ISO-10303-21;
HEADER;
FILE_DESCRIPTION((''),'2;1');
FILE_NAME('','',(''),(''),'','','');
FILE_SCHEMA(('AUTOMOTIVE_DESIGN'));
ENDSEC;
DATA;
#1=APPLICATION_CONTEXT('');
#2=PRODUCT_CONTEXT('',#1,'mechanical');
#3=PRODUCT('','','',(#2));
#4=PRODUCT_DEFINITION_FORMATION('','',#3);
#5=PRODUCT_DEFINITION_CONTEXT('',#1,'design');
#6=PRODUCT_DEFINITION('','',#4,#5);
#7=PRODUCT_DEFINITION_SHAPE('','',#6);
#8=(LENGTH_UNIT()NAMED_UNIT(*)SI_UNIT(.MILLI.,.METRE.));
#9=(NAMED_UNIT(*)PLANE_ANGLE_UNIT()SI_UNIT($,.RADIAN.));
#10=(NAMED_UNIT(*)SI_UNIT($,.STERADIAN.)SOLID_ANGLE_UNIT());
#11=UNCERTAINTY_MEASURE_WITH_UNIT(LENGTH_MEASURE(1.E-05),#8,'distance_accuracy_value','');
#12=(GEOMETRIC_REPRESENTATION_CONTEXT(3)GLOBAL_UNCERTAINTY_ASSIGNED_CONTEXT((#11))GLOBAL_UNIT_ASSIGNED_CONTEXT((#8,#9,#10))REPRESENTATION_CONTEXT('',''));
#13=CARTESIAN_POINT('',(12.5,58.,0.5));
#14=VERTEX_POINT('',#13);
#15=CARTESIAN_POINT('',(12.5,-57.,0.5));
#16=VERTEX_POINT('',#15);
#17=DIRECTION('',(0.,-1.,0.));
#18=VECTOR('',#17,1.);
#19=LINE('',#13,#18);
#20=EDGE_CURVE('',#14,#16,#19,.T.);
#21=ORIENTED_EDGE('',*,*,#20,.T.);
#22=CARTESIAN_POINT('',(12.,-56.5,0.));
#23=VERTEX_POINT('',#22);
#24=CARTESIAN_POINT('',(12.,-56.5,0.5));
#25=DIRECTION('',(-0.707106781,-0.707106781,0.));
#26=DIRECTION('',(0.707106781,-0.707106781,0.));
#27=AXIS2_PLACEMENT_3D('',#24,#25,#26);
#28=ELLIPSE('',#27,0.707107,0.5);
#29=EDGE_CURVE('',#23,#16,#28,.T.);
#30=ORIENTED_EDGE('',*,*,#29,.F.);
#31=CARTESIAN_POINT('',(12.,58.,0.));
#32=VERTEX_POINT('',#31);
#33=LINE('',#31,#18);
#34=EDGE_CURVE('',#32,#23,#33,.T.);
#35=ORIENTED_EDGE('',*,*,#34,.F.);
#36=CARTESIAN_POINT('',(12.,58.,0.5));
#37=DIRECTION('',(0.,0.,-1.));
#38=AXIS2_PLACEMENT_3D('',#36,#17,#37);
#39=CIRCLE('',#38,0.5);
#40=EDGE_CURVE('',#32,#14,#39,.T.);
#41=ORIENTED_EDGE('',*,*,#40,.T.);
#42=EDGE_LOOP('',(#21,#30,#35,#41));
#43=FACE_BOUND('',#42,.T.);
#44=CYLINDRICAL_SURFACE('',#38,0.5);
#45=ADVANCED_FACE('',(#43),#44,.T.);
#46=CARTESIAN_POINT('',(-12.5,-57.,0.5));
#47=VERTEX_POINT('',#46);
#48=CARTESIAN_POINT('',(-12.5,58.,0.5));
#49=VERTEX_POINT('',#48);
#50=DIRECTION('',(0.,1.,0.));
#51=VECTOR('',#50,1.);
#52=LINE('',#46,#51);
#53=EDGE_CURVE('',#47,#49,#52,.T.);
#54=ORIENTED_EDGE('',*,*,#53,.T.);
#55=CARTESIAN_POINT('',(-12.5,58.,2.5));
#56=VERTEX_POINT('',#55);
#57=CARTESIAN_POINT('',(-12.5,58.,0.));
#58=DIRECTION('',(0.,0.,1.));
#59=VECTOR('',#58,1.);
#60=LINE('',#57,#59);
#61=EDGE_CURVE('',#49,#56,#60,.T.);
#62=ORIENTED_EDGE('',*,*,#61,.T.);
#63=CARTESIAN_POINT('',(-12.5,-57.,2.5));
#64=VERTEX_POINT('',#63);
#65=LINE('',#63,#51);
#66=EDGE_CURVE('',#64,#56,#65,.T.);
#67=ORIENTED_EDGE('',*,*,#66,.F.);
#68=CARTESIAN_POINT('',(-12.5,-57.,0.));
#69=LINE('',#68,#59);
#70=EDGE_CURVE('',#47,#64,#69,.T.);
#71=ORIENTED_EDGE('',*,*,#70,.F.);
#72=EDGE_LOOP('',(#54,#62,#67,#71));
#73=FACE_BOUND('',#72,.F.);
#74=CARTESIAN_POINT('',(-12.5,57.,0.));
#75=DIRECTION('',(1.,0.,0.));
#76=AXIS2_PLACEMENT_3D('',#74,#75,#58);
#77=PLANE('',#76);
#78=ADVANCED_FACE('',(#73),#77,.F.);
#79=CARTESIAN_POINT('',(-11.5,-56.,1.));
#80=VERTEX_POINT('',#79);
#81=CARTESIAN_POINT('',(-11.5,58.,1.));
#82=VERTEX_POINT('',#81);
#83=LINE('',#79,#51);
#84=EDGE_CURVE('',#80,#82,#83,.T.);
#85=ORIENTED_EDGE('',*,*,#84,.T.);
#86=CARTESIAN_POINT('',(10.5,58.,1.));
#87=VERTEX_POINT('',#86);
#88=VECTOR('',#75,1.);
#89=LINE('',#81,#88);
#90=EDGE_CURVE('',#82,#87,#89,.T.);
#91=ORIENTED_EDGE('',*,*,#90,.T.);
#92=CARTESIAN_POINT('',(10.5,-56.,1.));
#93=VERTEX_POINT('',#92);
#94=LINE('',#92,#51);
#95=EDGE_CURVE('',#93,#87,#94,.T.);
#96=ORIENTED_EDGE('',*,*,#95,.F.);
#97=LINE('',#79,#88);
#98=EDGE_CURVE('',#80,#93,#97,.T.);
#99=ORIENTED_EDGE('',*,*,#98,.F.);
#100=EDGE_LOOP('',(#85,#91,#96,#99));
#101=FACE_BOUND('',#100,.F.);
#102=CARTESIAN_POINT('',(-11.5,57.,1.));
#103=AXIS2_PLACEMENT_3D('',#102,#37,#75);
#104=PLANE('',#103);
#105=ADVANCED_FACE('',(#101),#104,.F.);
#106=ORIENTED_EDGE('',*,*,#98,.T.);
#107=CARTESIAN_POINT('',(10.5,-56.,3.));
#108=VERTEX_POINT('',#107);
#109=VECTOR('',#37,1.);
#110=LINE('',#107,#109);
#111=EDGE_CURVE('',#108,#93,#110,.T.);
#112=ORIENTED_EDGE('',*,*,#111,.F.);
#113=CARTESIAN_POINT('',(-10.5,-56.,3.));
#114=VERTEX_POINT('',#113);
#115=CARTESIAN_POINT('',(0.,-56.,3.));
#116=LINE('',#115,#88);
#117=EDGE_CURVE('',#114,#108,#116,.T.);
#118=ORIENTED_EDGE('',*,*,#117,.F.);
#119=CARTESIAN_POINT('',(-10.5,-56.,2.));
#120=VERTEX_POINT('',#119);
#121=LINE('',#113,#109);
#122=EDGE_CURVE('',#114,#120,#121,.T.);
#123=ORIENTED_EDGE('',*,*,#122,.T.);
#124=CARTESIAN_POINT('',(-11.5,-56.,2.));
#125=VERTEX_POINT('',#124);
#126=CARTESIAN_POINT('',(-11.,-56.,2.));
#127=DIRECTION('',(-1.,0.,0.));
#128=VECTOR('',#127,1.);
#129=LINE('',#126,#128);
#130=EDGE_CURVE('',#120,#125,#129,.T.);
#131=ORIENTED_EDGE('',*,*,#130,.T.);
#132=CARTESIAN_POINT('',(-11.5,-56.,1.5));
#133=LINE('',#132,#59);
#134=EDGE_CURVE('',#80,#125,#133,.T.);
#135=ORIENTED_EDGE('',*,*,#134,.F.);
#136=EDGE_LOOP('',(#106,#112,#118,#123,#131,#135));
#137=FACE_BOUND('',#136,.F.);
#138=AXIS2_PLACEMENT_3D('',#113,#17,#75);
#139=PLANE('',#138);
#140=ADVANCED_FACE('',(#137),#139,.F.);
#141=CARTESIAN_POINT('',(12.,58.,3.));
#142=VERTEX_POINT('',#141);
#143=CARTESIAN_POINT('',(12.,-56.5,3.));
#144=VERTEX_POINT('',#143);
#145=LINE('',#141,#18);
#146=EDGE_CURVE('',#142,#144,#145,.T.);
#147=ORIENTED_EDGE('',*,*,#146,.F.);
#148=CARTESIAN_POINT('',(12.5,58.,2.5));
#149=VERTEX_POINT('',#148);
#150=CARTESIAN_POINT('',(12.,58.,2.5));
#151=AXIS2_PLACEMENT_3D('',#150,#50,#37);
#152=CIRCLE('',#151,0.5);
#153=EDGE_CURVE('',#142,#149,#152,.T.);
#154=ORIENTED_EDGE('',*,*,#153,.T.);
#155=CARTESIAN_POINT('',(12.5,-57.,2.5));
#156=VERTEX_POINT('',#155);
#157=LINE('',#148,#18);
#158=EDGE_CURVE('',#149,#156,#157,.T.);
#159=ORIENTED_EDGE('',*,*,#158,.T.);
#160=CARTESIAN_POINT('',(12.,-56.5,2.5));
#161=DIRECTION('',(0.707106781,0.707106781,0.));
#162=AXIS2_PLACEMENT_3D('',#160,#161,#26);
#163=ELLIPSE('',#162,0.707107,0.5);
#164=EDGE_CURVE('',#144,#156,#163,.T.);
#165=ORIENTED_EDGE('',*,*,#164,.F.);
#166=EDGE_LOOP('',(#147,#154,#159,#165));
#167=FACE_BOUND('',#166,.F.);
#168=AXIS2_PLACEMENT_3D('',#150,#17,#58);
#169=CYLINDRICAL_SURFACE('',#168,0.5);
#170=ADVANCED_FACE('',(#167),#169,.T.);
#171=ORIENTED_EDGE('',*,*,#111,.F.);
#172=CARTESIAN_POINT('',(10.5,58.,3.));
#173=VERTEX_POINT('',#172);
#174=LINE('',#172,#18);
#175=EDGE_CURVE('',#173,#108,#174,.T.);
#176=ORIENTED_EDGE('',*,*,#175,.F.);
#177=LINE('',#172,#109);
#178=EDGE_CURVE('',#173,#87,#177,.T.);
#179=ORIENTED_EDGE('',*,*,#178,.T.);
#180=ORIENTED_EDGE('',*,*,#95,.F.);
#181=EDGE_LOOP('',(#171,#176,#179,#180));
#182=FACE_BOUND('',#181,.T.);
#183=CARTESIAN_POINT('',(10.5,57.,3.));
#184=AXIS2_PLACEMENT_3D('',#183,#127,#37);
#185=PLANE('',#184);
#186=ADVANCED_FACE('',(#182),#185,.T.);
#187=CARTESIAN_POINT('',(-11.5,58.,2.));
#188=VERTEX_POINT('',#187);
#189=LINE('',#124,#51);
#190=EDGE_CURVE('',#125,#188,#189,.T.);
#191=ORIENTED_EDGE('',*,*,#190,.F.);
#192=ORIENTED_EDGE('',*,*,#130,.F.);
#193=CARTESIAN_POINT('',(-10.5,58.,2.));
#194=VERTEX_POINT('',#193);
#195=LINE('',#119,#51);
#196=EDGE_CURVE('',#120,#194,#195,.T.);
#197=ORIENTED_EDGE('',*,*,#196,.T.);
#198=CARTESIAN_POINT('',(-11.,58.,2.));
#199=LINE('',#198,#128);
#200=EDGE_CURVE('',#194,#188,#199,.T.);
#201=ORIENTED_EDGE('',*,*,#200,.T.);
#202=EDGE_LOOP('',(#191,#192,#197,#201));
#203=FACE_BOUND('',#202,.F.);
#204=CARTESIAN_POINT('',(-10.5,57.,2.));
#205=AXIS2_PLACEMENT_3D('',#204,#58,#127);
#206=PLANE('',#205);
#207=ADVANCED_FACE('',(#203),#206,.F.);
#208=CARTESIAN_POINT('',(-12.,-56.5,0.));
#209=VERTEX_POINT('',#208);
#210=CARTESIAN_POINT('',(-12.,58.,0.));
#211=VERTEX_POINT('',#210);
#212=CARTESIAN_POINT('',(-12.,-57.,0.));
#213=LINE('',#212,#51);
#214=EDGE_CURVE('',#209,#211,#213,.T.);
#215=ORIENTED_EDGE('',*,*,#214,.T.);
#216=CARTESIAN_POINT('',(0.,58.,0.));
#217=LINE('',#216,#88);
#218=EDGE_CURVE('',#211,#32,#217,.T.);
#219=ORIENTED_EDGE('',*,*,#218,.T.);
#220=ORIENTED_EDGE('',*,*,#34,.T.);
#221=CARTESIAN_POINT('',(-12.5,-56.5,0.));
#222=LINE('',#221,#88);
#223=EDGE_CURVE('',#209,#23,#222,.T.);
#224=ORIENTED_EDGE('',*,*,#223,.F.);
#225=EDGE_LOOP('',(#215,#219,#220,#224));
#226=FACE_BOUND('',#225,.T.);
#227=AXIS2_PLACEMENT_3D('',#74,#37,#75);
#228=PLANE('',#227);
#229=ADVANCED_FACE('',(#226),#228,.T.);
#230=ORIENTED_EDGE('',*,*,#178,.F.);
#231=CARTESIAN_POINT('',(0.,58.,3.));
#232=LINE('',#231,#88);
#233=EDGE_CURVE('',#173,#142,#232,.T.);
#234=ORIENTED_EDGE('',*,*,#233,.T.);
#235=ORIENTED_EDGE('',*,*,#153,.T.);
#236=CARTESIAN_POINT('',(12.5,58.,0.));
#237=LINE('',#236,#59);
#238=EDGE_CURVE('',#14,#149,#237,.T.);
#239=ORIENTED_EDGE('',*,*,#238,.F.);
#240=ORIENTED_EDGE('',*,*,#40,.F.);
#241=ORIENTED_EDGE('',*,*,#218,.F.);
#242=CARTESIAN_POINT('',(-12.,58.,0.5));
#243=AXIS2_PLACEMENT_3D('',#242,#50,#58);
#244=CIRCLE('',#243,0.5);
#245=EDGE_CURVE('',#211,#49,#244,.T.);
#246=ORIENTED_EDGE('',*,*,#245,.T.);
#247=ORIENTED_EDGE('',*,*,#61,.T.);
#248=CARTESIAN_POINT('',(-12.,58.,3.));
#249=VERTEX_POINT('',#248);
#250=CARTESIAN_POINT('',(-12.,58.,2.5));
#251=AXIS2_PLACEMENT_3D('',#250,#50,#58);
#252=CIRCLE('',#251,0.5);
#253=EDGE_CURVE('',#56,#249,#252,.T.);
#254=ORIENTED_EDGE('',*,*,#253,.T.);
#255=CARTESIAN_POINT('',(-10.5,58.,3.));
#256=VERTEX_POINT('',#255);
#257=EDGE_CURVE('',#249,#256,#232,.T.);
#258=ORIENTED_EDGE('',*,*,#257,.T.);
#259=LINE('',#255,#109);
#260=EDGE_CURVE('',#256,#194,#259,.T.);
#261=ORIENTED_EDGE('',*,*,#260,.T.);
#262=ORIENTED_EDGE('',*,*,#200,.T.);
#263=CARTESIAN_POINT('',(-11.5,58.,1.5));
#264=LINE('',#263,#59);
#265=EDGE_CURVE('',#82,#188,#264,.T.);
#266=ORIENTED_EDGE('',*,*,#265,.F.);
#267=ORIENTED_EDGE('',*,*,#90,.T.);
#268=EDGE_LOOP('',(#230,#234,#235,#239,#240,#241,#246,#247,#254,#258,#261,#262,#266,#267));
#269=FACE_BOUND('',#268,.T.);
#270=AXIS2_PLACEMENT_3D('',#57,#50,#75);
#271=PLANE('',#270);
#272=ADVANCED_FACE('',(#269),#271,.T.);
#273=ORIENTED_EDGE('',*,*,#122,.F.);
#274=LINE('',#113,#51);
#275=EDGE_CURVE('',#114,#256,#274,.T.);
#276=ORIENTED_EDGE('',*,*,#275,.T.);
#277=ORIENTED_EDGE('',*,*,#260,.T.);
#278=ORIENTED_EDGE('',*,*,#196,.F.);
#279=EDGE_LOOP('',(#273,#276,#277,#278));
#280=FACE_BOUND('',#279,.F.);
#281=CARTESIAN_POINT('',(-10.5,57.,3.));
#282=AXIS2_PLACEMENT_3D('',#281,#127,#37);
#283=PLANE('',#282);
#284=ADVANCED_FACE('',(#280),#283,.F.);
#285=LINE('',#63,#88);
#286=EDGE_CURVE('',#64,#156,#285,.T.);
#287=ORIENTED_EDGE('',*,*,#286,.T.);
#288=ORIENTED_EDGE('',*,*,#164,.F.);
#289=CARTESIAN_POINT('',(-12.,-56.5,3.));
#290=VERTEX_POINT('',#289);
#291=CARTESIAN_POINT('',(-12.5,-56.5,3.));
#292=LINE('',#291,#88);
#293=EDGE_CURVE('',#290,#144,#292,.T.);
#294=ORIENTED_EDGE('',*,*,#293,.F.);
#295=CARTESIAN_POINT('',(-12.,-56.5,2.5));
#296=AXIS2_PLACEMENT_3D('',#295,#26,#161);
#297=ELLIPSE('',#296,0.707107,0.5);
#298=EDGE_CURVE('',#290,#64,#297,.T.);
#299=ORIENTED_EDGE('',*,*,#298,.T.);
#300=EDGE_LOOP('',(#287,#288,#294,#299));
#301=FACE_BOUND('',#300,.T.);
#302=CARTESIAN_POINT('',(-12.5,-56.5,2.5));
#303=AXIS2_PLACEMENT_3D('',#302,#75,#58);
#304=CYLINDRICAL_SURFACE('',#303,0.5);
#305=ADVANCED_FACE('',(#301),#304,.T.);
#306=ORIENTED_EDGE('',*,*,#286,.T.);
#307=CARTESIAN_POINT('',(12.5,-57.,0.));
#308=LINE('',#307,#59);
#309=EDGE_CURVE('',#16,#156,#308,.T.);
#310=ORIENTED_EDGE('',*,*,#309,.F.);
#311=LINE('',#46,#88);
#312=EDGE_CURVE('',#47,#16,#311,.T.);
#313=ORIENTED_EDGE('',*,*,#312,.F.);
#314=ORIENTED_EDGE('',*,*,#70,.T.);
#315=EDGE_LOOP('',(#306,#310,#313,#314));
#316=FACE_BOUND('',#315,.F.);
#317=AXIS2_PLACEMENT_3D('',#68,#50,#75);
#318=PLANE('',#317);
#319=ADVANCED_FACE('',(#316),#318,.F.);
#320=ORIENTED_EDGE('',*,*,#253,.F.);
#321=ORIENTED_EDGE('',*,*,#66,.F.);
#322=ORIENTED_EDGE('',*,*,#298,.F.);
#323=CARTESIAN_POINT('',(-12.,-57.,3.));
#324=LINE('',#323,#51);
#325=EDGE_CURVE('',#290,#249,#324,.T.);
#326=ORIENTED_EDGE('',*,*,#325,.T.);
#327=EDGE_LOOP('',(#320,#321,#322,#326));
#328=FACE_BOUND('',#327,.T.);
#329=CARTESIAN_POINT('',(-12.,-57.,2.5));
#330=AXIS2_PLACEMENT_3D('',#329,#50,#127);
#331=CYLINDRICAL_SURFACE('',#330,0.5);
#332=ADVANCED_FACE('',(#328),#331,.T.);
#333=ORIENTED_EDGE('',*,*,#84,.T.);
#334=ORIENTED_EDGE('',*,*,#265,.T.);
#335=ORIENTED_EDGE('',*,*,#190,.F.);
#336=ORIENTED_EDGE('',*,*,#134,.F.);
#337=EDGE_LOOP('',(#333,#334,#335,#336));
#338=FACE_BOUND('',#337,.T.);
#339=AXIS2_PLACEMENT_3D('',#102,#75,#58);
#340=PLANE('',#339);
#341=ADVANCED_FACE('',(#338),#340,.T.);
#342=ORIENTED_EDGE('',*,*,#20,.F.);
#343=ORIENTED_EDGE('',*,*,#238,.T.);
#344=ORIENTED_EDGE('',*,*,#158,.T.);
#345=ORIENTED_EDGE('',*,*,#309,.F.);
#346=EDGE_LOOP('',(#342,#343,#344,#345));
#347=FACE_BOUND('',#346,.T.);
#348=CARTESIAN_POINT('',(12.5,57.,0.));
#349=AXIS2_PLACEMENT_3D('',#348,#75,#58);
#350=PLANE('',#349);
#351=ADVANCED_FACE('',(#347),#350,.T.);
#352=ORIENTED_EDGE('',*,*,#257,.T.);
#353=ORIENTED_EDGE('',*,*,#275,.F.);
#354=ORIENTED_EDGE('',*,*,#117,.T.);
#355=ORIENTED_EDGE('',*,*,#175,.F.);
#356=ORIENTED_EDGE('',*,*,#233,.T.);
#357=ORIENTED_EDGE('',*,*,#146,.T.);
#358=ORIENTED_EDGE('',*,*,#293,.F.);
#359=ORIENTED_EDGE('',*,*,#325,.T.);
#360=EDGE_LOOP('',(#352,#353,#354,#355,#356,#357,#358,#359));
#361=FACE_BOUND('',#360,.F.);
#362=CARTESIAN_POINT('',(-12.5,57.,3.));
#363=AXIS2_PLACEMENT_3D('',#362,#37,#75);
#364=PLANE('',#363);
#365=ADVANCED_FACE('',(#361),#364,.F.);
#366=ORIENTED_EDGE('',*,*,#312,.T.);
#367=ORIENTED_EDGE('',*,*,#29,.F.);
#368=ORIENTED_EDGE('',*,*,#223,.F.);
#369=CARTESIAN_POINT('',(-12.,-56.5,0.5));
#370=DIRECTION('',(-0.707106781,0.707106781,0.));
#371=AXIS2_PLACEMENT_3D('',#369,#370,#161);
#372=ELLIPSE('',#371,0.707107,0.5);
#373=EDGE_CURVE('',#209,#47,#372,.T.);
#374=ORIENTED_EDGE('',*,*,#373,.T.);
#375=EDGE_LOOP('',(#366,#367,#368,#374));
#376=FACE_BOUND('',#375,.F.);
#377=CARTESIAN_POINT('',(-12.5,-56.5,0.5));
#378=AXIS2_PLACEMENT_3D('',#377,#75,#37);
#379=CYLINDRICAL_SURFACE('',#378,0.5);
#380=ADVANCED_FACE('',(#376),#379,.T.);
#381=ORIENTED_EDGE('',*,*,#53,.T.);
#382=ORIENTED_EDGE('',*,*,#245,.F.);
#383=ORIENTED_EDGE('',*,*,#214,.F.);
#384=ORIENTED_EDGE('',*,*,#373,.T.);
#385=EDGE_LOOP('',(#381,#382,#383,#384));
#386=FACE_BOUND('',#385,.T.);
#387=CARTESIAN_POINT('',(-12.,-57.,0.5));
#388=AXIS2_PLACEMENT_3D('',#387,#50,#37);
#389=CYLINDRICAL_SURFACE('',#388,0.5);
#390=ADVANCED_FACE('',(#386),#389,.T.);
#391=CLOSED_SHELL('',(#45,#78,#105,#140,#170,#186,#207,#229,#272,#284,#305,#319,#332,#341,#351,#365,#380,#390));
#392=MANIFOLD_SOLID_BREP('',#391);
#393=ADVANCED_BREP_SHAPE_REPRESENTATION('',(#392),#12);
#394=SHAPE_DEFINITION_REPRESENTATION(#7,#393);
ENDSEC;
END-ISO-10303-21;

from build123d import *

# Parameters (mm, degrees)
F0_W     = 25
F0_H     = 114
F1_DEPTH = 3
F2_W     = 21
F2_H     = 113
F3_DEPTH = 2
F4_W     = 1
F4_H     = 1
F5_DEPTH = 113
F6_DEPTH = 1
F7_R     = 0.5


with BuildPart() as f1:
    # F0 (on Top) → F1 (new body)
    with BuildSketch(Plane.XY):
        Rectangle(F0_W, F0_H)
    extrude(amount=F1_DEPTH)

    # F2 (on face) → F3 (cut)
    with BuildSketch(Plane.XY.offset(3)):
        with Locations((0, 0.5)):
            Rectangle(F2_W, F2_H)
    extrude(amount=-F3_DEPTH, mode=Mode.SUBTRACT)

    # F4 (on face) → F5 (cut)
    with BuildSketch(Plane(origin=(0, 57, 0), x_dir=(-1, 0, 0), z_dir=(0, 1, 0))):
        with Locations((11, 1.5)):
            Rectangle(F4_W, F4_H)
    extrude(amount=-F5_DEPTH, mode=Mode.SUBTRACT)

    # F6 (add): a face of the model
    f6_faces = [f1.faces().sort_by_distance(p)[0] for p in [
        (0.34375, 57, 0.84375),
    ]]
    extrude(f6_faces, amount=F6_DEPTH)

    # F7
    f7_edges = [f1.edges().sort_by_distance(p)[0] for p in [
        (12.5, 0.5, 0),
        (12.5, 0.5, 3),
        (0, -57, 3),
        (0, -57, 0),
        (-12.5, 0.5, 3),
        (-12.5, 0.5, 0),
    ]]
    fillet(f7_edges, radius=F7_R)


solid = f1.part
